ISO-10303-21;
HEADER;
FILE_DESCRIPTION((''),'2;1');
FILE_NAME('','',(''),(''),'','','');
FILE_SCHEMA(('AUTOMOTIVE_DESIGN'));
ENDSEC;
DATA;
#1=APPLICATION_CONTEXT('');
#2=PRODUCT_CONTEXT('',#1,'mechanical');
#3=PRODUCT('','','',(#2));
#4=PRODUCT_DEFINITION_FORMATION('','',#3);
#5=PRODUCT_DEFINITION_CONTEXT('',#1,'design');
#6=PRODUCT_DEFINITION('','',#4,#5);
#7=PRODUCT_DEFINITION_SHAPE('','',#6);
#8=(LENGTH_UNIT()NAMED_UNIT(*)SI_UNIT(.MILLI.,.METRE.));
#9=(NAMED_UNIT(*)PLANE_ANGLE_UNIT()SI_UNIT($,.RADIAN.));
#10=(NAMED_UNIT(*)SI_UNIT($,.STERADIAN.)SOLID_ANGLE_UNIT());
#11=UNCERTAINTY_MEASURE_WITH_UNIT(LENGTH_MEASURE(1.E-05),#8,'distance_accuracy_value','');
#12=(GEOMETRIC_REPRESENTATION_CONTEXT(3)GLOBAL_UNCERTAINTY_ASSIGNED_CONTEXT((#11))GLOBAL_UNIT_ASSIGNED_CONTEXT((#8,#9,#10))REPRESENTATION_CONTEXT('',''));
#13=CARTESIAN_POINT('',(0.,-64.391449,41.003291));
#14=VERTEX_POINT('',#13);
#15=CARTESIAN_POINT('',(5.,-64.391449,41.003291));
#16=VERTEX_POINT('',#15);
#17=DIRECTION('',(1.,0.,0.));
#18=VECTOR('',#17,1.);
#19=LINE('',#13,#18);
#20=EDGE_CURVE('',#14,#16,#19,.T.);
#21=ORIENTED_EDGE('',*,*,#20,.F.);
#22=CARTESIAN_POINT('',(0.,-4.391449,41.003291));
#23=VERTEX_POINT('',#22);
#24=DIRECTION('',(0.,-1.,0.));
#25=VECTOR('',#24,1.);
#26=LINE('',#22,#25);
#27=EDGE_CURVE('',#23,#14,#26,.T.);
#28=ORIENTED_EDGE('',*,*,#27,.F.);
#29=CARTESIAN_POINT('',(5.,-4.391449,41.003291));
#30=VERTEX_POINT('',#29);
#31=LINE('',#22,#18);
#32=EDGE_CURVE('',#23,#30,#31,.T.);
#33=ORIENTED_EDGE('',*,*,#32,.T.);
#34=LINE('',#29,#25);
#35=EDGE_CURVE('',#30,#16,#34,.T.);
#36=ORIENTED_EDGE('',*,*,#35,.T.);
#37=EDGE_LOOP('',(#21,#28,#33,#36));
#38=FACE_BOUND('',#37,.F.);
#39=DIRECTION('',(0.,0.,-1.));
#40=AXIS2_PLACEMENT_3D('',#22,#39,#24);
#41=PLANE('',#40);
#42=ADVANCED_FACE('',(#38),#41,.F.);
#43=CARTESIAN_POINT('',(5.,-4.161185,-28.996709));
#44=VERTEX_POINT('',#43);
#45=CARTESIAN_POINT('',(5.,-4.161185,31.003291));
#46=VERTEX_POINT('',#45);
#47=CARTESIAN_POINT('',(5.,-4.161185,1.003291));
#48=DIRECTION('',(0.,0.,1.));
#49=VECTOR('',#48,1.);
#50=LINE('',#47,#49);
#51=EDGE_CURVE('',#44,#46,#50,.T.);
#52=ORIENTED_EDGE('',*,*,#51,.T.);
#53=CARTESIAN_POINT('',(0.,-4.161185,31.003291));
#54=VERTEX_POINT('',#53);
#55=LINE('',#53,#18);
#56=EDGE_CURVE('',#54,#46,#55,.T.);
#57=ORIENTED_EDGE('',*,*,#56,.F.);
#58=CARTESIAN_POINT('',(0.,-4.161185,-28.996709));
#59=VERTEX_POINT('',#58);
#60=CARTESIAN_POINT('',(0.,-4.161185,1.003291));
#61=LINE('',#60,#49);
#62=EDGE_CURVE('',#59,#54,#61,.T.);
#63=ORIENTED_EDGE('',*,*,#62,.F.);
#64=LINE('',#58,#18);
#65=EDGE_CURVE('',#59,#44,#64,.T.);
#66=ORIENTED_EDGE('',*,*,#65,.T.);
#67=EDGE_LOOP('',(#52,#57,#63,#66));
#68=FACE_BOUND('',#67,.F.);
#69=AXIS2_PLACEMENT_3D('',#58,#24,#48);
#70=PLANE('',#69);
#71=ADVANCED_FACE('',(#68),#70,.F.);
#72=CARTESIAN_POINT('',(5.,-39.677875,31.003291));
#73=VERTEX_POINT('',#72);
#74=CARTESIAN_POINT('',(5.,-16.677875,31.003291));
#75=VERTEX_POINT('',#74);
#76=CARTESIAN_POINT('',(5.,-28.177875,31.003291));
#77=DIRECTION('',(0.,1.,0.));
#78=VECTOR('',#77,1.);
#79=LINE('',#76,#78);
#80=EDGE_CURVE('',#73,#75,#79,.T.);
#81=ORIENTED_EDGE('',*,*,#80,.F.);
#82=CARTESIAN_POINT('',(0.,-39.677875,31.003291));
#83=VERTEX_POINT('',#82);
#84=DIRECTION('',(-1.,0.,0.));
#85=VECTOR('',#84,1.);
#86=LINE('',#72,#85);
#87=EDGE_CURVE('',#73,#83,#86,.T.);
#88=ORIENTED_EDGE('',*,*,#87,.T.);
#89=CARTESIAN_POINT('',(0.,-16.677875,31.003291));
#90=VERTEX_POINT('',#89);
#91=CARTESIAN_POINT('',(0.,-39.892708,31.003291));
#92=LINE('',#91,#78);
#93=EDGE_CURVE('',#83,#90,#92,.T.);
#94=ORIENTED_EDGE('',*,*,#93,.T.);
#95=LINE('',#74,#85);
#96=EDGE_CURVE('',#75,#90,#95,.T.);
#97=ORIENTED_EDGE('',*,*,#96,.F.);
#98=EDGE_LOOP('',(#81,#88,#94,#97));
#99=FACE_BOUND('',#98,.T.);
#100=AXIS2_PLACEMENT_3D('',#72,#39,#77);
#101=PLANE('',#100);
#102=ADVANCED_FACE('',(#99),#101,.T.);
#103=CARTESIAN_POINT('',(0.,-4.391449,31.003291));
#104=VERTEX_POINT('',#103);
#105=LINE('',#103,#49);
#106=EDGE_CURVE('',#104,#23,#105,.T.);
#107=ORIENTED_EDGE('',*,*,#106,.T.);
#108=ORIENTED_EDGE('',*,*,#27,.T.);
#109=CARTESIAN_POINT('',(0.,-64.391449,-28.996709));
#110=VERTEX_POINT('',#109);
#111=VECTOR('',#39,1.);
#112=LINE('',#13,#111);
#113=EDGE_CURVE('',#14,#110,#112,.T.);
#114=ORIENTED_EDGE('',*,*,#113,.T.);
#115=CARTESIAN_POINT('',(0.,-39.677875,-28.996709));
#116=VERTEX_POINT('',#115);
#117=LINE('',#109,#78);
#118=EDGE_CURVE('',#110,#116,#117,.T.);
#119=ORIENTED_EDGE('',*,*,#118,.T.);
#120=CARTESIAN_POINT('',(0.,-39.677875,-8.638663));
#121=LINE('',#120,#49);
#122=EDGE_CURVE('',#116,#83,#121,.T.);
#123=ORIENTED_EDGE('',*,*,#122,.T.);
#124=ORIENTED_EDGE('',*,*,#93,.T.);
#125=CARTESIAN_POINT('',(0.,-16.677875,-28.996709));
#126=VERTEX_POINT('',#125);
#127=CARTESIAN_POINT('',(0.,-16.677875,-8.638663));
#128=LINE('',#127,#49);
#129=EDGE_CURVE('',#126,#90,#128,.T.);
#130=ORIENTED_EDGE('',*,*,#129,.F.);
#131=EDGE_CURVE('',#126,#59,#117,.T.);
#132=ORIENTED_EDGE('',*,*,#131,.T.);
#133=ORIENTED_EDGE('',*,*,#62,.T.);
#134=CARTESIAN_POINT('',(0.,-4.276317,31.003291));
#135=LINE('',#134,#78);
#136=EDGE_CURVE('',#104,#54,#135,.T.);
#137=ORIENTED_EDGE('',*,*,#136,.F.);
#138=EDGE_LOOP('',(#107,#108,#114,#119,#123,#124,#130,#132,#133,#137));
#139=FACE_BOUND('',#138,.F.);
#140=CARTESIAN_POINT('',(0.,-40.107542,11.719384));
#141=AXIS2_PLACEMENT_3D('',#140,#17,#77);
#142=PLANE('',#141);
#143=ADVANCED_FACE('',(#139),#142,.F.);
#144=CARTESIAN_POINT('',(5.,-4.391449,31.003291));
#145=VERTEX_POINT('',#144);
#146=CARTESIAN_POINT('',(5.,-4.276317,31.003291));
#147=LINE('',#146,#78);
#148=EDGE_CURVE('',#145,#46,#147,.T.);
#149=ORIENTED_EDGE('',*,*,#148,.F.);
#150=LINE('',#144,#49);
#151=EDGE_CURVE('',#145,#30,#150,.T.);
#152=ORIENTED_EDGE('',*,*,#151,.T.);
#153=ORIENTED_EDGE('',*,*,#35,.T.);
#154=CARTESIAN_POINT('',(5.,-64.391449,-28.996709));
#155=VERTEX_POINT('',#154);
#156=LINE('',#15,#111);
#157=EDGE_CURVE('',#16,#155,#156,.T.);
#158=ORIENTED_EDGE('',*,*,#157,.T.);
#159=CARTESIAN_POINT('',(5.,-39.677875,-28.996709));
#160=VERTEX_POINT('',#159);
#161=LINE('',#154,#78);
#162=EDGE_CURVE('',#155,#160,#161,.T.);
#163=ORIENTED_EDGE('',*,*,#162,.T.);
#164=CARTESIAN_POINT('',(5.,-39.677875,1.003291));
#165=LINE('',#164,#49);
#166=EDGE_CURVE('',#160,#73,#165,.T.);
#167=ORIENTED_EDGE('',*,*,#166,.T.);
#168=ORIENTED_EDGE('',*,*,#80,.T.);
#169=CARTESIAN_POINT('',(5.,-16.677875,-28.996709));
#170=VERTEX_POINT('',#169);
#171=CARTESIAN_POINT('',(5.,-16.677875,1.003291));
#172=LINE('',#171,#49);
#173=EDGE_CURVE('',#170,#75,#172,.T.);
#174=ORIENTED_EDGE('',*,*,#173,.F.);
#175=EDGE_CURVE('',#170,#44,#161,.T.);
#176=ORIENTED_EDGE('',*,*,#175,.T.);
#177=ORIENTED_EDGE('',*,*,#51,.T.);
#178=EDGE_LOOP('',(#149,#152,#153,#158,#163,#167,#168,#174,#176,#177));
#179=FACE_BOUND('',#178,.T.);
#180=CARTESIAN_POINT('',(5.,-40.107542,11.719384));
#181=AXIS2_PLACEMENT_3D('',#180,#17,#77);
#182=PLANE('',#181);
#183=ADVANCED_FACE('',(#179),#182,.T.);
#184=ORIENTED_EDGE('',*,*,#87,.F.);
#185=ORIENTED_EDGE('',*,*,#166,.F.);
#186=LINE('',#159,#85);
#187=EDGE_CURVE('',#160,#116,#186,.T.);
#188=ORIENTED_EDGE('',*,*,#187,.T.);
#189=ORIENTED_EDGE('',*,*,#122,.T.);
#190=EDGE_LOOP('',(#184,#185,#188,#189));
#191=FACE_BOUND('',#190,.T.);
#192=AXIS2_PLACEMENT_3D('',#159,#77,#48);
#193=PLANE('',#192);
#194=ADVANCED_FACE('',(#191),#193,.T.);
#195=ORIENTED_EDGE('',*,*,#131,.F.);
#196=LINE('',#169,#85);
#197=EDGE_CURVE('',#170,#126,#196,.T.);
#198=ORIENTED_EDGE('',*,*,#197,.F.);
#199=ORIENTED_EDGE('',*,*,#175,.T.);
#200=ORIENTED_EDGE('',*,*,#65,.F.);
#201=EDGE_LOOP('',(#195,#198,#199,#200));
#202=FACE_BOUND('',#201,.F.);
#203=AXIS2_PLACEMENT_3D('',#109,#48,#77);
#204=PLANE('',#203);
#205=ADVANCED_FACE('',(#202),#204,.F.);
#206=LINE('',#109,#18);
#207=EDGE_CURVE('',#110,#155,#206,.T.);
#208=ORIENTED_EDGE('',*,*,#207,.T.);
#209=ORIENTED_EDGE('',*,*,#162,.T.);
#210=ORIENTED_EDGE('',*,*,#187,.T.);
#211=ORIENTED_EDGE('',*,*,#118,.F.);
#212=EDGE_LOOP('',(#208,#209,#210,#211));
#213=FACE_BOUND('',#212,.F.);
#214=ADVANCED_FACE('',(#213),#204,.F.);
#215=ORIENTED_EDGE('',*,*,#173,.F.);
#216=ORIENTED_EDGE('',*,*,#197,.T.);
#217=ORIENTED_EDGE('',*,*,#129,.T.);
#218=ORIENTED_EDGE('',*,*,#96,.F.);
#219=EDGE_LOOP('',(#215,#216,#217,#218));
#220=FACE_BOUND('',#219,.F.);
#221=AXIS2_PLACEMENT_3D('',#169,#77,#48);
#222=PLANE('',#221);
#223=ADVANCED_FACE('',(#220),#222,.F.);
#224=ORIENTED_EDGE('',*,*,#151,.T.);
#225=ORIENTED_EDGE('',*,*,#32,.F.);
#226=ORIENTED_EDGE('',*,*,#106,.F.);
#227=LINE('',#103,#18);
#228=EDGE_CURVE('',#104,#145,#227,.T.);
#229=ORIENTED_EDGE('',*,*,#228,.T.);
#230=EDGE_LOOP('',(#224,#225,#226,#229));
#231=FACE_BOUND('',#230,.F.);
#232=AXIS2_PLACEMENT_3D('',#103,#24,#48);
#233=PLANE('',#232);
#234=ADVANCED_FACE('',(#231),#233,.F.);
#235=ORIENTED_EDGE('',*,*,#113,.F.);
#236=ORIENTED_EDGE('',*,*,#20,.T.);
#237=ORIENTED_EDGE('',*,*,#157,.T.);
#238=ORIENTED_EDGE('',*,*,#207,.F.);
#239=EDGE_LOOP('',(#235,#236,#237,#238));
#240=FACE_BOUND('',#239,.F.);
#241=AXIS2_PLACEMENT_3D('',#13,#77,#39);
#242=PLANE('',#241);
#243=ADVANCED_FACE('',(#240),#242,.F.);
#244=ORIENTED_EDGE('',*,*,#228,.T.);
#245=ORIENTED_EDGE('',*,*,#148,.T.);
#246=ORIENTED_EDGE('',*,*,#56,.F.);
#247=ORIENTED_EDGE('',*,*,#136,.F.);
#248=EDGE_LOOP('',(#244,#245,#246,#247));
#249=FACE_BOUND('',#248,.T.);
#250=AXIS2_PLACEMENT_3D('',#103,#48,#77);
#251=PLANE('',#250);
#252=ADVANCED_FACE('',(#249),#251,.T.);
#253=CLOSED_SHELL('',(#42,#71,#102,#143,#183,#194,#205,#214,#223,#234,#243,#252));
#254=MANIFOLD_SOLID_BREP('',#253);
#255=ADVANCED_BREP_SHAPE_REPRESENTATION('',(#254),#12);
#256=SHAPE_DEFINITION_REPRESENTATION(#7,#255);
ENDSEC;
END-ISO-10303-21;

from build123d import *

# Parameters (mm, degrees)
F0_W     = 0.230264
F0_H     = 60
F0_W_2   = 24.769736
F1_DEPTH = 5
F2_W     = 23
F2_H     = 60
F3_DEPTH = 25


with BuildPart() as f1:
    # F0 (on Right) → F1 (new body)
    with BuildSketch(Plane.YZ):
        Polygon((-4.391449, 41.003291), (-64.391449, 41.003291), (-64.391449, -28.996709), (-29.161185, -28.996709), (-29.161185, 31.003291), (-4.391449, 31.003291), align=None)
        with Locations((-4.276317, 1.003291)):
            Rectangle(F0_W, F0_H)
        with Locations((-16.776317, 1.003291)):
            Rectangle(F0_W_2, F0_H)
    extrude(amount=F1_DEPTH)

    # F2 (on face) → F3 (cut)
    with BuildSketch(Plane.YZ.offset(5)):
        with Locations((-28.177875, 1.003291)):
            Rectangle(F2_W, F2_H)
    extrude(amount=-F3_DEPTH, mode=Mode.SUBTRACT)


solid = f1.part
